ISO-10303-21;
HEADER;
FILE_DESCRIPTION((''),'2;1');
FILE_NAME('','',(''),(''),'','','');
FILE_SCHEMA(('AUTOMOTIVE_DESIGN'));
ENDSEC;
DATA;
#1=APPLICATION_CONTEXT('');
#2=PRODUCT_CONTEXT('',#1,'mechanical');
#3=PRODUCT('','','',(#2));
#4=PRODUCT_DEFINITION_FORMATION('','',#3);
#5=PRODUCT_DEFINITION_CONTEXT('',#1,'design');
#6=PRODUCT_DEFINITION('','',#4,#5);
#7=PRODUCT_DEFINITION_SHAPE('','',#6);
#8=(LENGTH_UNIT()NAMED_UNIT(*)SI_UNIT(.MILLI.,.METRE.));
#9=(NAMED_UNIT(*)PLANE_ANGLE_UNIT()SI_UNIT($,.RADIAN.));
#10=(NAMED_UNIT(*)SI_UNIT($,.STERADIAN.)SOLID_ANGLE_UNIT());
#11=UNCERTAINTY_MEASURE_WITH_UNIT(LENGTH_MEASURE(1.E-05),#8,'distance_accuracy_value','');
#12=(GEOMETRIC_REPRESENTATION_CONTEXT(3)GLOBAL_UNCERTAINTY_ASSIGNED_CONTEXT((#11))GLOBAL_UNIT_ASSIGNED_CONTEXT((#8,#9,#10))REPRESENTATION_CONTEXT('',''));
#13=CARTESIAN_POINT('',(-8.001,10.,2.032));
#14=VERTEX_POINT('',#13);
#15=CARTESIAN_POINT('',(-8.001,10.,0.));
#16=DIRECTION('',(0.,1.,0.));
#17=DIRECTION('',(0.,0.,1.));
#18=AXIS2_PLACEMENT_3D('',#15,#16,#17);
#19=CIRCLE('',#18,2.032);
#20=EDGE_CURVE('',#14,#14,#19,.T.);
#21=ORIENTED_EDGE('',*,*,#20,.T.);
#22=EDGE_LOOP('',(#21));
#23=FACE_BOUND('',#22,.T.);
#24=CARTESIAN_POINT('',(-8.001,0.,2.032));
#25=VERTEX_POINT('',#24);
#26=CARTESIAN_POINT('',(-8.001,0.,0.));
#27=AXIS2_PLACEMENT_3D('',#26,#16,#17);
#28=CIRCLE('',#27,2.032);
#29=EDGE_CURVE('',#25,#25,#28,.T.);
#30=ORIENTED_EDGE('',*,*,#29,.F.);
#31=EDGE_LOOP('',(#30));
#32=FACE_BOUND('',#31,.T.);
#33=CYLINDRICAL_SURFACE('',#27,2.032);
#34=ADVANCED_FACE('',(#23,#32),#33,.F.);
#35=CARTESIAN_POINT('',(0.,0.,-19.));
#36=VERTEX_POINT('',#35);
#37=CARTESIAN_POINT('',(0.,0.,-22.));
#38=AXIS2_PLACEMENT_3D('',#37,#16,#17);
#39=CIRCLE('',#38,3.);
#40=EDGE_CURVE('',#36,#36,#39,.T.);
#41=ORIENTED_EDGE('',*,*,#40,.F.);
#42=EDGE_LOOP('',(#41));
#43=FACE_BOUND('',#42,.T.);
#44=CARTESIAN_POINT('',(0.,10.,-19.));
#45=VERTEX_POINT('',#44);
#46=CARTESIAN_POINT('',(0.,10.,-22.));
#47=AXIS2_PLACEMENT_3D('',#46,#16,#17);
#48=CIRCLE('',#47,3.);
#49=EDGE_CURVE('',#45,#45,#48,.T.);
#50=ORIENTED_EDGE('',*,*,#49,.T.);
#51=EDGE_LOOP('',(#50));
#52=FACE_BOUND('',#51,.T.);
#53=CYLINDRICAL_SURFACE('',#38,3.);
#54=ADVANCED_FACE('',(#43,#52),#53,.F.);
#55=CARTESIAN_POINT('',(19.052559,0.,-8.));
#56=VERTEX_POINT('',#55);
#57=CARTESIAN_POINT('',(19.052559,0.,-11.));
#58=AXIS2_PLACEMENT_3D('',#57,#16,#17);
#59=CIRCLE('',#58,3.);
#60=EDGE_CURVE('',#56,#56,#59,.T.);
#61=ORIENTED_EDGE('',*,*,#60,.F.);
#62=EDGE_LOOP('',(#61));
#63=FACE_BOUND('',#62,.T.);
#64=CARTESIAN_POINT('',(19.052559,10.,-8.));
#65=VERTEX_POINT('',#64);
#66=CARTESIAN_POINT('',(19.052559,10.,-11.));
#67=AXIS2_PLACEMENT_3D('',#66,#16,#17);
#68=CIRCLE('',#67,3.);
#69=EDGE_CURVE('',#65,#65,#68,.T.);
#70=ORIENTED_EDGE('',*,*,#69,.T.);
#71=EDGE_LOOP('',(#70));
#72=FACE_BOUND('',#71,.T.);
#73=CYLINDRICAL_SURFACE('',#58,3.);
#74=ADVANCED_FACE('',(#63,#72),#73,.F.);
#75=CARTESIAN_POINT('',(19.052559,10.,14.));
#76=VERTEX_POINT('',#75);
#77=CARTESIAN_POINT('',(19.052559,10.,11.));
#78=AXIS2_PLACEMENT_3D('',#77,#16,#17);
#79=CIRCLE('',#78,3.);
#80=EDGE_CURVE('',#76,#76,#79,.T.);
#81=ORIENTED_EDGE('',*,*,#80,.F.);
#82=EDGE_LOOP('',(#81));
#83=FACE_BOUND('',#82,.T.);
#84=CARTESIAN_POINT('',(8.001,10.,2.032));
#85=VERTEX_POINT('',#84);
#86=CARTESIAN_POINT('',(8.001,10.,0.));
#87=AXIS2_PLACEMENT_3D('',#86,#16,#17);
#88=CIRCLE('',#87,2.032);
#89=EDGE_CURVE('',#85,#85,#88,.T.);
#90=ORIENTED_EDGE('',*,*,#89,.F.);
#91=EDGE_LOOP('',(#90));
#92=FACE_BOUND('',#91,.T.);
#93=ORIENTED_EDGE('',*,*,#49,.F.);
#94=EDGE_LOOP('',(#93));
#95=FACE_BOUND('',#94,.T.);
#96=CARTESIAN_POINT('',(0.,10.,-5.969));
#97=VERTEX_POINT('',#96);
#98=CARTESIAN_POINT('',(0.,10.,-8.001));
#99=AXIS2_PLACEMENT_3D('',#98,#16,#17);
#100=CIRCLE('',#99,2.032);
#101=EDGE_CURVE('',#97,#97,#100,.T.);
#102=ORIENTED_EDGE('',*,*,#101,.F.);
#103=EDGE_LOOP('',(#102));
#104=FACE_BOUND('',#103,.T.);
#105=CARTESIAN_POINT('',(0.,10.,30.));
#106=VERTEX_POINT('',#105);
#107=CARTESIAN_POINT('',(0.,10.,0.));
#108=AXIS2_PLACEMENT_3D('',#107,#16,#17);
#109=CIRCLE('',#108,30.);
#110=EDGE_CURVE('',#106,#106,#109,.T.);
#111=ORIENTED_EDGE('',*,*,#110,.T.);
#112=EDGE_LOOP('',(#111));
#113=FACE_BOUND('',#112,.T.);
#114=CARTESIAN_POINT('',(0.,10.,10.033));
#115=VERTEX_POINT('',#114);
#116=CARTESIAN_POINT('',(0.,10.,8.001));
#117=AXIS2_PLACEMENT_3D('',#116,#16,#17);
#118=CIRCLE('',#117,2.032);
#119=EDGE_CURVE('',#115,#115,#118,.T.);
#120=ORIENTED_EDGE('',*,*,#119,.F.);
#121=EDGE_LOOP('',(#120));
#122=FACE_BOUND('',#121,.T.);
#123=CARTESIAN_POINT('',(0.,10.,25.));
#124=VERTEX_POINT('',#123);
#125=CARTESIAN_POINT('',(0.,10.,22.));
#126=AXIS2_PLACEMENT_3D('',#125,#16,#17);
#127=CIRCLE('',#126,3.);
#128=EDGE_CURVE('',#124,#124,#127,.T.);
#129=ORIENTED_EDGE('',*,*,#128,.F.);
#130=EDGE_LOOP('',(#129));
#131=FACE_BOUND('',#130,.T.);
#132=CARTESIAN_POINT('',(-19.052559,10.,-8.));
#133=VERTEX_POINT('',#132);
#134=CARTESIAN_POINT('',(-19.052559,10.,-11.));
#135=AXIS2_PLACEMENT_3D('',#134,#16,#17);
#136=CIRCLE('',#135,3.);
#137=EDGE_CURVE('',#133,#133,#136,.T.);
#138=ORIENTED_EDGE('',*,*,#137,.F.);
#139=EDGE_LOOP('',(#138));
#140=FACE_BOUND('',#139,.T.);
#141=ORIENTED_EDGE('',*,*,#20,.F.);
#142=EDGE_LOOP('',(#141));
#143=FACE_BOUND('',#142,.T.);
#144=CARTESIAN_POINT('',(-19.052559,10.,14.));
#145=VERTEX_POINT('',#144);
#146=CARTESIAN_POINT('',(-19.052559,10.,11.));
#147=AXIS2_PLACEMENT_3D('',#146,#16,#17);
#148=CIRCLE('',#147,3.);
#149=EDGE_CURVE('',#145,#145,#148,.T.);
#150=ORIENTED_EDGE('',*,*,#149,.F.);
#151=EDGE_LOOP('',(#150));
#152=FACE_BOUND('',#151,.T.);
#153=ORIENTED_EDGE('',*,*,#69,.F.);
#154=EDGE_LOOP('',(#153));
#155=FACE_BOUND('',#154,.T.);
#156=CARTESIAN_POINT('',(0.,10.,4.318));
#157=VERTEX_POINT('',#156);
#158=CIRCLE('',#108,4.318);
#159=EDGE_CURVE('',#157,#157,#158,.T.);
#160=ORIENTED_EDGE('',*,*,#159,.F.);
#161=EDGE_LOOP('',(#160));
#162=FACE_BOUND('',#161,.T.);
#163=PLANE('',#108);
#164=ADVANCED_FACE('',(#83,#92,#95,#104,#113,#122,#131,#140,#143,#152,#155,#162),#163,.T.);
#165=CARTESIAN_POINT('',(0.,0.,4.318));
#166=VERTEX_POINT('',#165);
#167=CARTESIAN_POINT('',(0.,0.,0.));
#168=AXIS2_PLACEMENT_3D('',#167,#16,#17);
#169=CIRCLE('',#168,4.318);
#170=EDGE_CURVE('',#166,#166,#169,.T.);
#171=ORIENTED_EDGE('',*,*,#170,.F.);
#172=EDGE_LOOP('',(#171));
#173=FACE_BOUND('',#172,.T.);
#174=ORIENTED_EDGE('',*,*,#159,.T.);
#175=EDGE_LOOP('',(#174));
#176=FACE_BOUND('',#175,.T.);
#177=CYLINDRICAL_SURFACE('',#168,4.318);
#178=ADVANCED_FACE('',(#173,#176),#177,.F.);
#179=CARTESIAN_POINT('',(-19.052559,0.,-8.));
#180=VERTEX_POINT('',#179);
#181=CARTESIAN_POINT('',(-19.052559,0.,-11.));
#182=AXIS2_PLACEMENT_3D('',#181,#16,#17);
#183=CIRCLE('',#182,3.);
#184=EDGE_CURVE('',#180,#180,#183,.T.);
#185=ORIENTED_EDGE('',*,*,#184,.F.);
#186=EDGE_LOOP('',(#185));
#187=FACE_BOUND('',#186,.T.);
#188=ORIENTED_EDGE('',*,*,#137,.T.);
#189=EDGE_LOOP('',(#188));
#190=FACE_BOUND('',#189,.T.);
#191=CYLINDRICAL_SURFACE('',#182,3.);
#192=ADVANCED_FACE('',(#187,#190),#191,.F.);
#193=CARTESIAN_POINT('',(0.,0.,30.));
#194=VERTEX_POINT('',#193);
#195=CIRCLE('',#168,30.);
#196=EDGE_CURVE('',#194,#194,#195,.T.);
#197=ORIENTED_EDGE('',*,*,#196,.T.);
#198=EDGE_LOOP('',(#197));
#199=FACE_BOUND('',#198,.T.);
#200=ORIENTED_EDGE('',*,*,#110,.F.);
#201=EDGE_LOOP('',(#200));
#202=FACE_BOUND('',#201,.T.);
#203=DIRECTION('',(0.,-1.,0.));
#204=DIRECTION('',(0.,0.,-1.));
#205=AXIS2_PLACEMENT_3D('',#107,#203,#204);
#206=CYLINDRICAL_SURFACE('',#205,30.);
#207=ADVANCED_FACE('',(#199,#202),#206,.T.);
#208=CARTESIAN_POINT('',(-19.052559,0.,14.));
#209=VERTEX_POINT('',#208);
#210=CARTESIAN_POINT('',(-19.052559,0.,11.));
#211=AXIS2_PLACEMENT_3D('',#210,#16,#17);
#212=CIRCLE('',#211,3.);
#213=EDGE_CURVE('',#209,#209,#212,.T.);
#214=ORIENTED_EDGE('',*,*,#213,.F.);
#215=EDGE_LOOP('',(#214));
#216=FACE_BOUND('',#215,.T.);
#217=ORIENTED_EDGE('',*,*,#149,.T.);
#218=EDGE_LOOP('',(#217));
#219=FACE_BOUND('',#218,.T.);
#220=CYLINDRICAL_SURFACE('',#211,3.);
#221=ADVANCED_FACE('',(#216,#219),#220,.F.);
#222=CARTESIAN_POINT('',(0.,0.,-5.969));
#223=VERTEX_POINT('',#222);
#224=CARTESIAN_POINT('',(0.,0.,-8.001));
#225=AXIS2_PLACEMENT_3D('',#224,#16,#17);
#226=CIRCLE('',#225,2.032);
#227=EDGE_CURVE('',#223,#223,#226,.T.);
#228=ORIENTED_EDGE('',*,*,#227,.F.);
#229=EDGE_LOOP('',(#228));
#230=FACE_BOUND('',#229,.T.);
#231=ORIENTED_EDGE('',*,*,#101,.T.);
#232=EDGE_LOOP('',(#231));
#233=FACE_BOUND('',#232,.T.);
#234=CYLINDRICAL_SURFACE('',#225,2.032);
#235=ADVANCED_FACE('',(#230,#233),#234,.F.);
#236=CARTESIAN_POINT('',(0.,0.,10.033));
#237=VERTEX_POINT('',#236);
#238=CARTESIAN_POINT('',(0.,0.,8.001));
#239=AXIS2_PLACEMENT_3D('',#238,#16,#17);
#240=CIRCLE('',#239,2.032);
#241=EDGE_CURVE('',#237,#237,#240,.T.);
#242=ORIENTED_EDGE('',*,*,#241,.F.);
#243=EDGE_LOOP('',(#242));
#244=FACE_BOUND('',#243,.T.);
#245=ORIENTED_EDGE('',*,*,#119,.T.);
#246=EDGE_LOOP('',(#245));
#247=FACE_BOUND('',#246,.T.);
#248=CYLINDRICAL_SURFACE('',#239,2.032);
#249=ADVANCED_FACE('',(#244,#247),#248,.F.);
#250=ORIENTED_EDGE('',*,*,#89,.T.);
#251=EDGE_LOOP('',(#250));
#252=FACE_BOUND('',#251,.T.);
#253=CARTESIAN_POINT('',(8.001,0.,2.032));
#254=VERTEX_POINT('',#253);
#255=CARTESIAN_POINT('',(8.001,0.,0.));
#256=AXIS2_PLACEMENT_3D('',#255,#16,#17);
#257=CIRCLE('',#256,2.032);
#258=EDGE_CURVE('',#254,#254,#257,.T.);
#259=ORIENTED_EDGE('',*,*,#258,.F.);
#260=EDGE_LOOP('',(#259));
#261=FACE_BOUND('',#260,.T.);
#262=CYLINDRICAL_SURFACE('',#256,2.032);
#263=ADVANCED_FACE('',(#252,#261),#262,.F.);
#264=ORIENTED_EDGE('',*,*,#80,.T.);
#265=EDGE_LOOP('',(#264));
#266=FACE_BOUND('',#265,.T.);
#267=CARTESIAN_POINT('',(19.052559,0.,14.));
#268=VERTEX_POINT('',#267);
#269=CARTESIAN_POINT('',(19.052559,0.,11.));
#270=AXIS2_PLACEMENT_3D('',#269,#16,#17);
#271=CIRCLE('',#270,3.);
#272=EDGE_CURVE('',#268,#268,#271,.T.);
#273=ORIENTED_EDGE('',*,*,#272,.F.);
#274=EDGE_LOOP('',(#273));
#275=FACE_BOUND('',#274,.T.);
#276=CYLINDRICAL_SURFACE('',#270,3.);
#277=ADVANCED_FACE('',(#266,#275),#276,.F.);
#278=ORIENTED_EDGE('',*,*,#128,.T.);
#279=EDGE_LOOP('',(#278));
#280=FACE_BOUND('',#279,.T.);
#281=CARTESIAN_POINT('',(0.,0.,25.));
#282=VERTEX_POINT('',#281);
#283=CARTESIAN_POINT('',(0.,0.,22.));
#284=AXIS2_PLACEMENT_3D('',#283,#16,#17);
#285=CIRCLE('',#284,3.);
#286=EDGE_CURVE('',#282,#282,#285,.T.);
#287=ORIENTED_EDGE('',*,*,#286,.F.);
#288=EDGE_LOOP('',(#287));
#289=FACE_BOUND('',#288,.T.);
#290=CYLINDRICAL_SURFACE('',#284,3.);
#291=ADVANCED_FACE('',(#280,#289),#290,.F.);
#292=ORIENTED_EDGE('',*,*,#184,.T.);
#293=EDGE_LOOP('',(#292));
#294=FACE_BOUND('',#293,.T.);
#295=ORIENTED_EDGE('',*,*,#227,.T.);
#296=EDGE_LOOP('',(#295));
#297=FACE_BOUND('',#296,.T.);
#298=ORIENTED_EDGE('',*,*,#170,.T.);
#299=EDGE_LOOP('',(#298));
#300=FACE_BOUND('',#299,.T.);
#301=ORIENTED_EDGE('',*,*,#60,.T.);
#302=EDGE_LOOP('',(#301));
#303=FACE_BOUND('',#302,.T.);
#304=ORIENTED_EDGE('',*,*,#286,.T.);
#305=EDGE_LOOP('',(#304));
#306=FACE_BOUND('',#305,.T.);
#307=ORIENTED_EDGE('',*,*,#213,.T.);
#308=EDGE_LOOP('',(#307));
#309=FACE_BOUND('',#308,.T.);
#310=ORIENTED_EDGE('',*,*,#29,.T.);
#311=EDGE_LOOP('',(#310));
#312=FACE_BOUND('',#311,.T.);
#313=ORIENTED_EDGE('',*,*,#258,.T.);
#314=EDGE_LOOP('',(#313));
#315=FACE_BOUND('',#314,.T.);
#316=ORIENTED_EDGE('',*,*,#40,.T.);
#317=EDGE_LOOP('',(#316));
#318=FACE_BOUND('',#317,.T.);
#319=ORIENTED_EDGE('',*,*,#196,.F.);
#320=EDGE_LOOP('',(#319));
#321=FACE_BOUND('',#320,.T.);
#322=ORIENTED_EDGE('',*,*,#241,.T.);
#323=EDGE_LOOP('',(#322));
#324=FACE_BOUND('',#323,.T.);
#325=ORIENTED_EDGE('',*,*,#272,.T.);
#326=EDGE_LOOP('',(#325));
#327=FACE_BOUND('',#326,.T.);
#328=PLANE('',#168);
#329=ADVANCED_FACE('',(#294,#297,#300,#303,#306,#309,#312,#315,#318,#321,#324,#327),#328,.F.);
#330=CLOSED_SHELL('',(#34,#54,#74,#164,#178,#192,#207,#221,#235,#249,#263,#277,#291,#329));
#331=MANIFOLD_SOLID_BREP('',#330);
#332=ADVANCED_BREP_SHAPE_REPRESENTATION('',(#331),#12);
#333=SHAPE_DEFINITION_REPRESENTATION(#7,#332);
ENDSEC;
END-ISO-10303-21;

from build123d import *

# Parameters (mm, degrees)
SKETCH1_R           = 30
BOSS_EXTRUDE1_DEPTH = 10
SKETCH2_R           = 3
CUT_EXTRUDE1_DEPTH  = 10
SKETCH4_R           = 4.318
SKETCH4_R_2         = 2.032
CUT_EXTRUDE2_DEPTH  = 10


with BuildPart() as part:
    # Sketch1 → Boss-Extrude1 (new body)
    with BuildSketch(Plane(origin=(0, 0, 0), x_dir=(1, 0, 0), z_dir=(0, 1, 0))):
        with Locations(Location((0, 0, 0), (0, 0, 270))):
            Circle(SKETCH1_R)
    extrude(amount=BOSS_EXTRUDE1_DEPTH)

    # Sketch2 → Cut-Extrude1 (cut)
    with BuildSketch(Plane(origin=(0, 10, 0), x_dir=(1, 0, 0), z_dir=(0, 1, 0))):
        with Locations(Location((0, -22, 0), (0, 0, 270))):
            Circle(SKETCH2_R)
        with Locations(Location((-19.052558883, -11, 0), (0, 0, 270))):
            Circle(SKETCH2_R)
        with Locations(Location((-19.052558883, 11, 0), (0, 0, 270))):
            Circle(SKETCH2_R)
        with Locations(Location((0, 22, 0), (0, 0, 270))):
            Circle(SKETCH2_R)
        with Locations(Location((19.052558883, 11, 0), (0, 0, 270))):
            Circle(SKETCH2_R)
        with Locations(Location((19.052558883, -11, 0), (0, 0, 270))):
            Circle(SKETCH2_R)
    extrude(amount=-CUT_EXTRUDE1_DEPTH, mode=Mode.SUBTRACT)

    # Sketch4 → Cut-Extrude2 (cut)
    with BuildSketch(Plane(origin=(0, 10, 0), x_dir=(1, 0, 0), z_dir=(0, 1, 0))):
        with Locations(Location((0, 0, 0), (0, 0, 270))):
            Circle(SKETCH4_R)
        with Locations(Location((0, -8.001, 0), (0, 0, 270))):
            Circle(SKETCH4_R_2)
        with Locations(Location((-8.001, 0, 0), (0, 0, 270))):
            Circle(SKETCH4_R_2)
        with Locations(Location((0, 8.001, 0), (0, 0, 270))):
            Circle(SKETCH4_R_2)
        with Locations(Location((8.001, 0, 0), (0, 0, 270))):
            Circle(SKETCH4_R_2)
    extrude(amount=-CUT_EXTRUDE2_DEPTH, mode=Mode.SUBTRACT)


solid = part.part
